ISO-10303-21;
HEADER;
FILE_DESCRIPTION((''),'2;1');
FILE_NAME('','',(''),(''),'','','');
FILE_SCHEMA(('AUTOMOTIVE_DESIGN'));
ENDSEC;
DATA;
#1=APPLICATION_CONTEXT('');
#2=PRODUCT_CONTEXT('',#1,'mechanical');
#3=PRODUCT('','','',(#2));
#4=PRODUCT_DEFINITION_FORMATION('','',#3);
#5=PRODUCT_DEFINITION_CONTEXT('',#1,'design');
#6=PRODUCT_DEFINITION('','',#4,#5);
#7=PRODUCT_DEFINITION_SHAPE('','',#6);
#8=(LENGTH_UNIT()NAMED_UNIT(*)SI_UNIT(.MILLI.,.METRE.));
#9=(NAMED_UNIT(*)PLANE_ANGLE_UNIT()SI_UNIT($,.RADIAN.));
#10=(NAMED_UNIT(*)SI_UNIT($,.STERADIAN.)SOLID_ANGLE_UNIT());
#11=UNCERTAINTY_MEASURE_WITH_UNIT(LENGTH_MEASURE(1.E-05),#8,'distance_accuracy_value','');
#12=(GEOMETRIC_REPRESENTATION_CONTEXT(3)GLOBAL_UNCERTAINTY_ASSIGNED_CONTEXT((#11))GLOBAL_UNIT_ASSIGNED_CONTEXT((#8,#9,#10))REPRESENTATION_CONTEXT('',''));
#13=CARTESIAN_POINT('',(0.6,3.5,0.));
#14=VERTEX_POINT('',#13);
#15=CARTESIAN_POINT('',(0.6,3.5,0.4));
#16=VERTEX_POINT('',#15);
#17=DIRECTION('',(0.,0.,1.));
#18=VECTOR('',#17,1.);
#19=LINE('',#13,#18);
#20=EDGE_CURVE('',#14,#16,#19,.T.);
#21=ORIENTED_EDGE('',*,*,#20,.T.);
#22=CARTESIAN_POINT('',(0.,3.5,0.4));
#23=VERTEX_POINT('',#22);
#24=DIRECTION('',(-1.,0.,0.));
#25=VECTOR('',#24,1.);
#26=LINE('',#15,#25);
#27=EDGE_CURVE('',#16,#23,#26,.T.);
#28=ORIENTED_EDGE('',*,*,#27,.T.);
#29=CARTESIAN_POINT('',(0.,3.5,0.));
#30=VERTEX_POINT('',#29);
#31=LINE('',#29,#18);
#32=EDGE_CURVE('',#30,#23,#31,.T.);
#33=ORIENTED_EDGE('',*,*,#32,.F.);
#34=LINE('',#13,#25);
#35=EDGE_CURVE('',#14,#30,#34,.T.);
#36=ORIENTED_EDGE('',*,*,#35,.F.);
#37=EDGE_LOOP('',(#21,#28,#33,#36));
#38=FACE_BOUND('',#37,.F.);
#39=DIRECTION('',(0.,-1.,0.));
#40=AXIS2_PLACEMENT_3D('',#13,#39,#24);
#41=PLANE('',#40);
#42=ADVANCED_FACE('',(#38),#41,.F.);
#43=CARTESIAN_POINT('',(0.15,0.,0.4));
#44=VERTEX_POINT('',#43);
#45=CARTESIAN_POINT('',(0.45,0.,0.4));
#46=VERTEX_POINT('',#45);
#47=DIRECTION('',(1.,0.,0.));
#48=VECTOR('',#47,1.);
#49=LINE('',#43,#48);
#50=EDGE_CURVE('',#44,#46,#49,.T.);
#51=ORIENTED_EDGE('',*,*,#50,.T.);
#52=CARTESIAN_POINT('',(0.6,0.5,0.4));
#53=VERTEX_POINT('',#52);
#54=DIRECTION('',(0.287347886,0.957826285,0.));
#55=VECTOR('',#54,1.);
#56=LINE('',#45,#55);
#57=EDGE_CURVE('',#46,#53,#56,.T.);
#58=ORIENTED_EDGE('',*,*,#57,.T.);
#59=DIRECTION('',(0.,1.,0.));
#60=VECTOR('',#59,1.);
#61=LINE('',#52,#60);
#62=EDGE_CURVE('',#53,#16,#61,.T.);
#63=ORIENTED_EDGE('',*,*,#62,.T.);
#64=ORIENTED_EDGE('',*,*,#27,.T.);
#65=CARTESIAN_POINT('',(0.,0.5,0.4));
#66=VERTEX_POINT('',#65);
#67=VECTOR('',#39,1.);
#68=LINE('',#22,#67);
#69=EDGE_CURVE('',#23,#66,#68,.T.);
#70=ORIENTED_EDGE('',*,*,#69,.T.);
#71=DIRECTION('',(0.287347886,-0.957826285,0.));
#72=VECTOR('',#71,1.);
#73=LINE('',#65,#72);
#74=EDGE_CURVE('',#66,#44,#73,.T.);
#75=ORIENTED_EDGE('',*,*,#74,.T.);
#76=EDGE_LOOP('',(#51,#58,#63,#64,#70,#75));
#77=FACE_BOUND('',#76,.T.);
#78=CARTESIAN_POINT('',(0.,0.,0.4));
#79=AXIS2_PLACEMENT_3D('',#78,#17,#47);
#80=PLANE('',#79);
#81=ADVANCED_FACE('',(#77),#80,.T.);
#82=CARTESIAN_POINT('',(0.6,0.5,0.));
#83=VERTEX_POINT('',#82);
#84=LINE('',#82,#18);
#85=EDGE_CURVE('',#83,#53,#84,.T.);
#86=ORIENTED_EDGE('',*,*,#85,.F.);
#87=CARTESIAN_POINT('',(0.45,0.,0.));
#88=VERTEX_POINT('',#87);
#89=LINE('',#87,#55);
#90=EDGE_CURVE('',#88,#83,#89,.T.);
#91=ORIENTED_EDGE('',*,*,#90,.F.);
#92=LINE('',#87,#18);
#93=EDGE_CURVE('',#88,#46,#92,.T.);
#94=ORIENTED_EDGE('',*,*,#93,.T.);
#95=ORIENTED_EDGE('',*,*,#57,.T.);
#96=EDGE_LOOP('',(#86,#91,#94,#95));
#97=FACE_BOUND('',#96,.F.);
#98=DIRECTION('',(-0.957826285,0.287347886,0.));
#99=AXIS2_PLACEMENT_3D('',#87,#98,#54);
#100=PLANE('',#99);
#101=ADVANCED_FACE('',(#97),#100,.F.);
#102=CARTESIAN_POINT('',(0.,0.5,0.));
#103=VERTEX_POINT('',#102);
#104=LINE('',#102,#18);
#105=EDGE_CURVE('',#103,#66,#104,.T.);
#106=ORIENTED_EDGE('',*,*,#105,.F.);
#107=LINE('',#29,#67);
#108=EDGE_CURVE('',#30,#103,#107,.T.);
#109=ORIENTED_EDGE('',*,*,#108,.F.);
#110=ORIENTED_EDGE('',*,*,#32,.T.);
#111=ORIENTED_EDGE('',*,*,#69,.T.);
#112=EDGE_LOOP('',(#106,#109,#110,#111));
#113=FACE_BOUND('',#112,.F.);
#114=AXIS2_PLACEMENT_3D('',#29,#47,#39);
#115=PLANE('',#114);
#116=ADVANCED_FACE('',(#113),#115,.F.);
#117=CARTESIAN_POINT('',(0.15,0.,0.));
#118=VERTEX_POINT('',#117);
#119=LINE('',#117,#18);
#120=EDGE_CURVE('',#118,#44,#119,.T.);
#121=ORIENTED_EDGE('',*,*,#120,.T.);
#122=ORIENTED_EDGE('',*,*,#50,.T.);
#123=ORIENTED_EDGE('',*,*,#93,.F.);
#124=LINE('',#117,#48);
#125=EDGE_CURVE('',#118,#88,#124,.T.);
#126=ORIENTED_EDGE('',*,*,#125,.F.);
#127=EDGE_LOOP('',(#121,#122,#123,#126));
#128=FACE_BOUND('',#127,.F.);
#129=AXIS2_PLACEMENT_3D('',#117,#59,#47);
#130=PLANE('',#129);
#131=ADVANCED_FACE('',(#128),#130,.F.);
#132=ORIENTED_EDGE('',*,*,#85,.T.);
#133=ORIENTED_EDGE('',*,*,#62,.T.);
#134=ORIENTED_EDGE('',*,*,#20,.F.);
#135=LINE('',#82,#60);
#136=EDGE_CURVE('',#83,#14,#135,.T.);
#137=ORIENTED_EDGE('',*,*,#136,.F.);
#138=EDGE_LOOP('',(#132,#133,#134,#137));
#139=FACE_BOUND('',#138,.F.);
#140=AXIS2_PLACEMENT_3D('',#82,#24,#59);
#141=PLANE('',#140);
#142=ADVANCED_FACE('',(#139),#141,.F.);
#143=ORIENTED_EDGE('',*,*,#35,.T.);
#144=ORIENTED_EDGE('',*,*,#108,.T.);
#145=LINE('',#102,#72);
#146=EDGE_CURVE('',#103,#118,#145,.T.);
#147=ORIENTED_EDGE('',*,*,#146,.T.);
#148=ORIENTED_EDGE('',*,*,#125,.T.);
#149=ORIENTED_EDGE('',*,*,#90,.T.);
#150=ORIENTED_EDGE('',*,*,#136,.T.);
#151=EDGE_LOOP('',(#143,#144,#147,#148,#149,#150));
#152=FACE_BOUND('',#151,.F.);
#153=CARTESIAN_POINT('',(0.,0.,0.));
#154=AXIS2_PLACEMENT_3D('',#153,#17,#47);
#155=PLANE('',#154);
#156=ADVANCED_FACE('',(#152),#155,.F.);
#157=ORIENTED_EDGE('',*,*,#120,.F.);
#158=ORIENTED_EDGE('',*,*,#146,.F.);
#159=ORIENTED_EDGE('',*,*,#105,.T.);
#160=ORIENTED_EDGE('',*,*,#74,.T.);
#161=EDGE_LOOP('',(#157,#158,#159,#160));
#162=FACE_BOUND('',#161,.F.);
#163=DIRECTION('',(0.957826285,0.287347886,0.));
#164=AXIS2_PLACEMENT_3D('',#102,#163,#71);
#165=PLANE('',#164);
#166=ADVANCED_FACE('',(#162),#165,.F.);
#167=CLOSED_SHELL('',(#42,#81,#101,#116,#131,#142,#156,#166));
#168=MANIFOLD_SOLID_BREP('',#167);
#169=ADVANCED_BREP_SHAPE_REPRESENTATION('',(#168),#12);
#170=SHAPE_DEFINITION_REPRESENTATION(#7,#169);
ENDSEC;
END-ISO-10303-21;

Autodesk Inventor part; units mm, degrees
ref_plane "YZ Plane" through (0, 0, 0) normal (1, 0, 0) x (0, 1, 0)
ref_plane "XZ Plane" through (0, 0, 0) normal (0, 1, 0) x (-1, 0, 0)
ref_plane "XY Plane" through (0, 0, 0) normal (0, 0, 1) x (1, 0, 0)
sketch "Sketch1" plane through (0, 0, 0) normal (0, 0, 1) x (1, 0, 0)
  line L0 (0, 3.5) -> (0, 0.5)
  line L1 (0, 0.5) -> (0.15, 0)
  line L2 (0.15, 0) -> (0.45, 0)
  line L3 (0.45, 0) -> (0.6, 0.5)
  line L4 (0.6, 0.5) -> (0.6, 3.5)
  line L5 (0.6, 3.5) -> (0, 3.5)
  point P0 (0, 0)
  dimension "d0" = 3
  dimension "d1" = 0.6
  dimension "d2" = 0.3
  dimension "d3" = 0.5
  dimension "d4" = 0.15
  dimension "d5" = 0.15
extrude "Extrusion1" add sketch "Sketch1" along normal blind 0.4
properties part number "Pin"
